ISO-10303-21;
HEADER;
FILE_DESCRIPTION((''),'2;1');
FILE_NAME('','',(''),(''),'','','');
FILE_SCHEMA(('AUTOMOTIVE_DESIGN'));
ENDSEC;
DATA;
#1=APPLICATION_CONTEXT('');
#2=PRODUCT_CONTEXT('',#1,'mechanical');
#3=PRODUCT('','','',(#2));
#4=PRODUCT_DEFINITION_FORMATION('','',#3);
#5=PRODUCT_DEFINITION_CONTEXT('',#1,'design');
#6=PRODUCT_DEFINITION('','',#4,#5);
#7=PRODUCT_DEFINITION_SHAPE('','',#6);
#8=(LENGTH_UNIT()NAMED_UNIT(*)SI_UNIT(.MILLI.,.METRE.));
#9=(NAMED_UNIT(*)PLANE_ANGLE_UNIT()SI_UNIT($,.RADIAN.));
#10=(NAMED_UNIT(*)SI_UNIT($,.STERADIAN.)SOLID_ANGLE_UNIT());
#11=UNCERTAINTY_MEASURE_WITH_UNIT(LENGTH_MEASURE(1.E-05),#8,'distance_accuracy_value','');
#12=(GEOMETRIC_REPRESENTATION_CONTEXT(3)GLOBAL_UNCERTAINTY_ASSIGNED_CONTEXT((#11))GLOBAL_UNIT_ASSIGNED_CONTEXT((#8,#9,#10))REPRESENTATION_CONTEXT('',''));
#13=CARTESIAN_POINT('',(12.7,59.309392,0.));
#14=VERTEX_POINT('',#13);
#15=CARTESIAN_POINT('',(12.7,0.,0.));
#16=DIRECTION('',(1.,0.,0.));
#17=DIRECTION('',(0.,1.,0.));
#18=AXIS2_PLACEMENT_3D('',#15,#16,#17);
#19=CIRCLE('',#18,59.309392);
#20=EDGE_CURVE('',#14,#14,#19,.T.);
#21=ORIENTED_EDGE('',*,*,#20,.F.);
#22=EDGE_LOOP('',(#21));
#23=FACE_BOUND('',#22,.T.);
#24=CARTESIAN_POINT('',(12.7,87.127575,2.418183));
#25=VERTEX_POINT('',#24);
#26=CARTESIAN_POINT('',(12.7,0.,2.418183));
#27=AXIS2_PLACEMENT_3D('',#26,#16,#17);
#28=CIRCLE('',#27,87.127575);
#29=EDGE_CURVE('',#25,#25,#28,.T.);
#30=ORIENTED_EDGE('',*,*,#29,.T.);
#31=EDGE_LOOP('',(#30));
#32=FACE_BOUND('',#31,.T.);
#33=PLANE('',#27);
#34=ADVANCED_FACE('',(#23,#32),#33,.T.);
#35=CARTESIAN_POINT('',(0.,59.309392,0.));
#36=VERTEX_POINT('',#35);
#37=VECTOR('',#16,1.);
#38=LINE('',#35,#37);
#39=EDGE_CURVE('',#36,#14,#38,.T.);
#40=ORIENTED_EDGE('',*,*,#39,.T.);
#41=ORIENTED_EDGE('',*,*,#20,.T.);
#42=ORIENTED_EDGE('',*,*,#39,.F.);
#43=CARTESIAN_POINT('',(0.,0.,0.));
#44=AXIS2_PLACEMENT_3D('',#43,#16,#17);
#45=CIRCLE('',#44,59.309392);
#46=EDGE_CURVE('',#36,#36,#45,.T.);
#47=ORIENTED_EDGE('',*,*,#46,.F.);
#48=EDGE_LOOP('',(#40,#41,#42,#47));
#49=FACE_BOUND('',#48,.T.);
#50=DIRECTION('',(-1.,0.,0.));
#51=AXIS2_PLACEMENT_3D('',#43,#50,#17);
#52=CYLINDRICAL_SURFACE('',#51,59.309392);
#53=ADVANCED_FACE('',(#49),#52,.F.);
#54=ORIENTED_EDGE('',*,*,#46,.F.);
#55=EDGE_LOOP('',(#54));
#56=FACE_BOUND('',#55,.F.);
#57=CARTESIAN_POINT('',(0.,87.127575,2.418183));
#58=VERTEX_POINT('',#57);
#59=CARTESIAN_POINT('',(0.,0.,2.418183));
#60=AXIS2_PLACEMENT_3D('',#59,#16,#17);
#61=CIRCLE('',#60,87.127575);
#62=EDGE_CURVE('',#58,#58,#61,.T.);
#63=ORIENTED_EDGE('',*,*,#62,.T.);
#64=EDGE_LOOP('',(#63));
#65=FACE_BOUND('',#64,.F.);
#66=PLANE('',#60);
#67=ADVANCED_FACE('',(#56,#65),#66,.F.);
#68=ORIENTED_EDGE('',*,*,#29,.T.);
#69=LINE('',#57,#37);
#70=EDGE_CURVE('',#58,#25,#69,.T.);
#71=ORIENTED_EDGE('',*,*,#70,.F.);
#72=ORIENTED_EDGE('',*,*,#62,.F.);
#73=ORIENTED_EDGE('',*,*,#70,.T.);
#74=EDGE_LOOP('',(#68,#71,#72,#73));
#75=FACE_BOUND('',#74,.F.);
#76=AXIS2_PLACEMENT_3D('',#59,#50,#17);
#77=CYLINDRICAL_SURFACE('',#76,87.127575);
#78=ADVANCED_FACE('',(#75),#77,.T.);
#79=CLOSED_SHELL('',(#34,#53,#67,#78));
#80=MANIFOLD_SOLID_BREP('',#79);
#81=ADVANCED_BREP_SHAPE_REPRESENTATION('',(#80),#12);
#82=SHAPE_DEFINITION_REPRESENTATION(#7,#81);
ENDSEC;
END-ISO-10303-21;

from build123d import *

# Parameters (mm, degrees)
F0_R     = 87.127575
F0_R_2   = 59.309392
F1_DEPTH = 12.7


with BuildPart() as f1:
    # F0 (on Right) → F1 (new body)
    with BuildSketch(Plane.YZ):
        with Locations((0, 2.418183)):
            Circle(F0_R)
        Circle(F0_R_2, mode=Mode.SUBTRACT)
    extrude(amount=F1_DEPTH)


solid = f1.part
